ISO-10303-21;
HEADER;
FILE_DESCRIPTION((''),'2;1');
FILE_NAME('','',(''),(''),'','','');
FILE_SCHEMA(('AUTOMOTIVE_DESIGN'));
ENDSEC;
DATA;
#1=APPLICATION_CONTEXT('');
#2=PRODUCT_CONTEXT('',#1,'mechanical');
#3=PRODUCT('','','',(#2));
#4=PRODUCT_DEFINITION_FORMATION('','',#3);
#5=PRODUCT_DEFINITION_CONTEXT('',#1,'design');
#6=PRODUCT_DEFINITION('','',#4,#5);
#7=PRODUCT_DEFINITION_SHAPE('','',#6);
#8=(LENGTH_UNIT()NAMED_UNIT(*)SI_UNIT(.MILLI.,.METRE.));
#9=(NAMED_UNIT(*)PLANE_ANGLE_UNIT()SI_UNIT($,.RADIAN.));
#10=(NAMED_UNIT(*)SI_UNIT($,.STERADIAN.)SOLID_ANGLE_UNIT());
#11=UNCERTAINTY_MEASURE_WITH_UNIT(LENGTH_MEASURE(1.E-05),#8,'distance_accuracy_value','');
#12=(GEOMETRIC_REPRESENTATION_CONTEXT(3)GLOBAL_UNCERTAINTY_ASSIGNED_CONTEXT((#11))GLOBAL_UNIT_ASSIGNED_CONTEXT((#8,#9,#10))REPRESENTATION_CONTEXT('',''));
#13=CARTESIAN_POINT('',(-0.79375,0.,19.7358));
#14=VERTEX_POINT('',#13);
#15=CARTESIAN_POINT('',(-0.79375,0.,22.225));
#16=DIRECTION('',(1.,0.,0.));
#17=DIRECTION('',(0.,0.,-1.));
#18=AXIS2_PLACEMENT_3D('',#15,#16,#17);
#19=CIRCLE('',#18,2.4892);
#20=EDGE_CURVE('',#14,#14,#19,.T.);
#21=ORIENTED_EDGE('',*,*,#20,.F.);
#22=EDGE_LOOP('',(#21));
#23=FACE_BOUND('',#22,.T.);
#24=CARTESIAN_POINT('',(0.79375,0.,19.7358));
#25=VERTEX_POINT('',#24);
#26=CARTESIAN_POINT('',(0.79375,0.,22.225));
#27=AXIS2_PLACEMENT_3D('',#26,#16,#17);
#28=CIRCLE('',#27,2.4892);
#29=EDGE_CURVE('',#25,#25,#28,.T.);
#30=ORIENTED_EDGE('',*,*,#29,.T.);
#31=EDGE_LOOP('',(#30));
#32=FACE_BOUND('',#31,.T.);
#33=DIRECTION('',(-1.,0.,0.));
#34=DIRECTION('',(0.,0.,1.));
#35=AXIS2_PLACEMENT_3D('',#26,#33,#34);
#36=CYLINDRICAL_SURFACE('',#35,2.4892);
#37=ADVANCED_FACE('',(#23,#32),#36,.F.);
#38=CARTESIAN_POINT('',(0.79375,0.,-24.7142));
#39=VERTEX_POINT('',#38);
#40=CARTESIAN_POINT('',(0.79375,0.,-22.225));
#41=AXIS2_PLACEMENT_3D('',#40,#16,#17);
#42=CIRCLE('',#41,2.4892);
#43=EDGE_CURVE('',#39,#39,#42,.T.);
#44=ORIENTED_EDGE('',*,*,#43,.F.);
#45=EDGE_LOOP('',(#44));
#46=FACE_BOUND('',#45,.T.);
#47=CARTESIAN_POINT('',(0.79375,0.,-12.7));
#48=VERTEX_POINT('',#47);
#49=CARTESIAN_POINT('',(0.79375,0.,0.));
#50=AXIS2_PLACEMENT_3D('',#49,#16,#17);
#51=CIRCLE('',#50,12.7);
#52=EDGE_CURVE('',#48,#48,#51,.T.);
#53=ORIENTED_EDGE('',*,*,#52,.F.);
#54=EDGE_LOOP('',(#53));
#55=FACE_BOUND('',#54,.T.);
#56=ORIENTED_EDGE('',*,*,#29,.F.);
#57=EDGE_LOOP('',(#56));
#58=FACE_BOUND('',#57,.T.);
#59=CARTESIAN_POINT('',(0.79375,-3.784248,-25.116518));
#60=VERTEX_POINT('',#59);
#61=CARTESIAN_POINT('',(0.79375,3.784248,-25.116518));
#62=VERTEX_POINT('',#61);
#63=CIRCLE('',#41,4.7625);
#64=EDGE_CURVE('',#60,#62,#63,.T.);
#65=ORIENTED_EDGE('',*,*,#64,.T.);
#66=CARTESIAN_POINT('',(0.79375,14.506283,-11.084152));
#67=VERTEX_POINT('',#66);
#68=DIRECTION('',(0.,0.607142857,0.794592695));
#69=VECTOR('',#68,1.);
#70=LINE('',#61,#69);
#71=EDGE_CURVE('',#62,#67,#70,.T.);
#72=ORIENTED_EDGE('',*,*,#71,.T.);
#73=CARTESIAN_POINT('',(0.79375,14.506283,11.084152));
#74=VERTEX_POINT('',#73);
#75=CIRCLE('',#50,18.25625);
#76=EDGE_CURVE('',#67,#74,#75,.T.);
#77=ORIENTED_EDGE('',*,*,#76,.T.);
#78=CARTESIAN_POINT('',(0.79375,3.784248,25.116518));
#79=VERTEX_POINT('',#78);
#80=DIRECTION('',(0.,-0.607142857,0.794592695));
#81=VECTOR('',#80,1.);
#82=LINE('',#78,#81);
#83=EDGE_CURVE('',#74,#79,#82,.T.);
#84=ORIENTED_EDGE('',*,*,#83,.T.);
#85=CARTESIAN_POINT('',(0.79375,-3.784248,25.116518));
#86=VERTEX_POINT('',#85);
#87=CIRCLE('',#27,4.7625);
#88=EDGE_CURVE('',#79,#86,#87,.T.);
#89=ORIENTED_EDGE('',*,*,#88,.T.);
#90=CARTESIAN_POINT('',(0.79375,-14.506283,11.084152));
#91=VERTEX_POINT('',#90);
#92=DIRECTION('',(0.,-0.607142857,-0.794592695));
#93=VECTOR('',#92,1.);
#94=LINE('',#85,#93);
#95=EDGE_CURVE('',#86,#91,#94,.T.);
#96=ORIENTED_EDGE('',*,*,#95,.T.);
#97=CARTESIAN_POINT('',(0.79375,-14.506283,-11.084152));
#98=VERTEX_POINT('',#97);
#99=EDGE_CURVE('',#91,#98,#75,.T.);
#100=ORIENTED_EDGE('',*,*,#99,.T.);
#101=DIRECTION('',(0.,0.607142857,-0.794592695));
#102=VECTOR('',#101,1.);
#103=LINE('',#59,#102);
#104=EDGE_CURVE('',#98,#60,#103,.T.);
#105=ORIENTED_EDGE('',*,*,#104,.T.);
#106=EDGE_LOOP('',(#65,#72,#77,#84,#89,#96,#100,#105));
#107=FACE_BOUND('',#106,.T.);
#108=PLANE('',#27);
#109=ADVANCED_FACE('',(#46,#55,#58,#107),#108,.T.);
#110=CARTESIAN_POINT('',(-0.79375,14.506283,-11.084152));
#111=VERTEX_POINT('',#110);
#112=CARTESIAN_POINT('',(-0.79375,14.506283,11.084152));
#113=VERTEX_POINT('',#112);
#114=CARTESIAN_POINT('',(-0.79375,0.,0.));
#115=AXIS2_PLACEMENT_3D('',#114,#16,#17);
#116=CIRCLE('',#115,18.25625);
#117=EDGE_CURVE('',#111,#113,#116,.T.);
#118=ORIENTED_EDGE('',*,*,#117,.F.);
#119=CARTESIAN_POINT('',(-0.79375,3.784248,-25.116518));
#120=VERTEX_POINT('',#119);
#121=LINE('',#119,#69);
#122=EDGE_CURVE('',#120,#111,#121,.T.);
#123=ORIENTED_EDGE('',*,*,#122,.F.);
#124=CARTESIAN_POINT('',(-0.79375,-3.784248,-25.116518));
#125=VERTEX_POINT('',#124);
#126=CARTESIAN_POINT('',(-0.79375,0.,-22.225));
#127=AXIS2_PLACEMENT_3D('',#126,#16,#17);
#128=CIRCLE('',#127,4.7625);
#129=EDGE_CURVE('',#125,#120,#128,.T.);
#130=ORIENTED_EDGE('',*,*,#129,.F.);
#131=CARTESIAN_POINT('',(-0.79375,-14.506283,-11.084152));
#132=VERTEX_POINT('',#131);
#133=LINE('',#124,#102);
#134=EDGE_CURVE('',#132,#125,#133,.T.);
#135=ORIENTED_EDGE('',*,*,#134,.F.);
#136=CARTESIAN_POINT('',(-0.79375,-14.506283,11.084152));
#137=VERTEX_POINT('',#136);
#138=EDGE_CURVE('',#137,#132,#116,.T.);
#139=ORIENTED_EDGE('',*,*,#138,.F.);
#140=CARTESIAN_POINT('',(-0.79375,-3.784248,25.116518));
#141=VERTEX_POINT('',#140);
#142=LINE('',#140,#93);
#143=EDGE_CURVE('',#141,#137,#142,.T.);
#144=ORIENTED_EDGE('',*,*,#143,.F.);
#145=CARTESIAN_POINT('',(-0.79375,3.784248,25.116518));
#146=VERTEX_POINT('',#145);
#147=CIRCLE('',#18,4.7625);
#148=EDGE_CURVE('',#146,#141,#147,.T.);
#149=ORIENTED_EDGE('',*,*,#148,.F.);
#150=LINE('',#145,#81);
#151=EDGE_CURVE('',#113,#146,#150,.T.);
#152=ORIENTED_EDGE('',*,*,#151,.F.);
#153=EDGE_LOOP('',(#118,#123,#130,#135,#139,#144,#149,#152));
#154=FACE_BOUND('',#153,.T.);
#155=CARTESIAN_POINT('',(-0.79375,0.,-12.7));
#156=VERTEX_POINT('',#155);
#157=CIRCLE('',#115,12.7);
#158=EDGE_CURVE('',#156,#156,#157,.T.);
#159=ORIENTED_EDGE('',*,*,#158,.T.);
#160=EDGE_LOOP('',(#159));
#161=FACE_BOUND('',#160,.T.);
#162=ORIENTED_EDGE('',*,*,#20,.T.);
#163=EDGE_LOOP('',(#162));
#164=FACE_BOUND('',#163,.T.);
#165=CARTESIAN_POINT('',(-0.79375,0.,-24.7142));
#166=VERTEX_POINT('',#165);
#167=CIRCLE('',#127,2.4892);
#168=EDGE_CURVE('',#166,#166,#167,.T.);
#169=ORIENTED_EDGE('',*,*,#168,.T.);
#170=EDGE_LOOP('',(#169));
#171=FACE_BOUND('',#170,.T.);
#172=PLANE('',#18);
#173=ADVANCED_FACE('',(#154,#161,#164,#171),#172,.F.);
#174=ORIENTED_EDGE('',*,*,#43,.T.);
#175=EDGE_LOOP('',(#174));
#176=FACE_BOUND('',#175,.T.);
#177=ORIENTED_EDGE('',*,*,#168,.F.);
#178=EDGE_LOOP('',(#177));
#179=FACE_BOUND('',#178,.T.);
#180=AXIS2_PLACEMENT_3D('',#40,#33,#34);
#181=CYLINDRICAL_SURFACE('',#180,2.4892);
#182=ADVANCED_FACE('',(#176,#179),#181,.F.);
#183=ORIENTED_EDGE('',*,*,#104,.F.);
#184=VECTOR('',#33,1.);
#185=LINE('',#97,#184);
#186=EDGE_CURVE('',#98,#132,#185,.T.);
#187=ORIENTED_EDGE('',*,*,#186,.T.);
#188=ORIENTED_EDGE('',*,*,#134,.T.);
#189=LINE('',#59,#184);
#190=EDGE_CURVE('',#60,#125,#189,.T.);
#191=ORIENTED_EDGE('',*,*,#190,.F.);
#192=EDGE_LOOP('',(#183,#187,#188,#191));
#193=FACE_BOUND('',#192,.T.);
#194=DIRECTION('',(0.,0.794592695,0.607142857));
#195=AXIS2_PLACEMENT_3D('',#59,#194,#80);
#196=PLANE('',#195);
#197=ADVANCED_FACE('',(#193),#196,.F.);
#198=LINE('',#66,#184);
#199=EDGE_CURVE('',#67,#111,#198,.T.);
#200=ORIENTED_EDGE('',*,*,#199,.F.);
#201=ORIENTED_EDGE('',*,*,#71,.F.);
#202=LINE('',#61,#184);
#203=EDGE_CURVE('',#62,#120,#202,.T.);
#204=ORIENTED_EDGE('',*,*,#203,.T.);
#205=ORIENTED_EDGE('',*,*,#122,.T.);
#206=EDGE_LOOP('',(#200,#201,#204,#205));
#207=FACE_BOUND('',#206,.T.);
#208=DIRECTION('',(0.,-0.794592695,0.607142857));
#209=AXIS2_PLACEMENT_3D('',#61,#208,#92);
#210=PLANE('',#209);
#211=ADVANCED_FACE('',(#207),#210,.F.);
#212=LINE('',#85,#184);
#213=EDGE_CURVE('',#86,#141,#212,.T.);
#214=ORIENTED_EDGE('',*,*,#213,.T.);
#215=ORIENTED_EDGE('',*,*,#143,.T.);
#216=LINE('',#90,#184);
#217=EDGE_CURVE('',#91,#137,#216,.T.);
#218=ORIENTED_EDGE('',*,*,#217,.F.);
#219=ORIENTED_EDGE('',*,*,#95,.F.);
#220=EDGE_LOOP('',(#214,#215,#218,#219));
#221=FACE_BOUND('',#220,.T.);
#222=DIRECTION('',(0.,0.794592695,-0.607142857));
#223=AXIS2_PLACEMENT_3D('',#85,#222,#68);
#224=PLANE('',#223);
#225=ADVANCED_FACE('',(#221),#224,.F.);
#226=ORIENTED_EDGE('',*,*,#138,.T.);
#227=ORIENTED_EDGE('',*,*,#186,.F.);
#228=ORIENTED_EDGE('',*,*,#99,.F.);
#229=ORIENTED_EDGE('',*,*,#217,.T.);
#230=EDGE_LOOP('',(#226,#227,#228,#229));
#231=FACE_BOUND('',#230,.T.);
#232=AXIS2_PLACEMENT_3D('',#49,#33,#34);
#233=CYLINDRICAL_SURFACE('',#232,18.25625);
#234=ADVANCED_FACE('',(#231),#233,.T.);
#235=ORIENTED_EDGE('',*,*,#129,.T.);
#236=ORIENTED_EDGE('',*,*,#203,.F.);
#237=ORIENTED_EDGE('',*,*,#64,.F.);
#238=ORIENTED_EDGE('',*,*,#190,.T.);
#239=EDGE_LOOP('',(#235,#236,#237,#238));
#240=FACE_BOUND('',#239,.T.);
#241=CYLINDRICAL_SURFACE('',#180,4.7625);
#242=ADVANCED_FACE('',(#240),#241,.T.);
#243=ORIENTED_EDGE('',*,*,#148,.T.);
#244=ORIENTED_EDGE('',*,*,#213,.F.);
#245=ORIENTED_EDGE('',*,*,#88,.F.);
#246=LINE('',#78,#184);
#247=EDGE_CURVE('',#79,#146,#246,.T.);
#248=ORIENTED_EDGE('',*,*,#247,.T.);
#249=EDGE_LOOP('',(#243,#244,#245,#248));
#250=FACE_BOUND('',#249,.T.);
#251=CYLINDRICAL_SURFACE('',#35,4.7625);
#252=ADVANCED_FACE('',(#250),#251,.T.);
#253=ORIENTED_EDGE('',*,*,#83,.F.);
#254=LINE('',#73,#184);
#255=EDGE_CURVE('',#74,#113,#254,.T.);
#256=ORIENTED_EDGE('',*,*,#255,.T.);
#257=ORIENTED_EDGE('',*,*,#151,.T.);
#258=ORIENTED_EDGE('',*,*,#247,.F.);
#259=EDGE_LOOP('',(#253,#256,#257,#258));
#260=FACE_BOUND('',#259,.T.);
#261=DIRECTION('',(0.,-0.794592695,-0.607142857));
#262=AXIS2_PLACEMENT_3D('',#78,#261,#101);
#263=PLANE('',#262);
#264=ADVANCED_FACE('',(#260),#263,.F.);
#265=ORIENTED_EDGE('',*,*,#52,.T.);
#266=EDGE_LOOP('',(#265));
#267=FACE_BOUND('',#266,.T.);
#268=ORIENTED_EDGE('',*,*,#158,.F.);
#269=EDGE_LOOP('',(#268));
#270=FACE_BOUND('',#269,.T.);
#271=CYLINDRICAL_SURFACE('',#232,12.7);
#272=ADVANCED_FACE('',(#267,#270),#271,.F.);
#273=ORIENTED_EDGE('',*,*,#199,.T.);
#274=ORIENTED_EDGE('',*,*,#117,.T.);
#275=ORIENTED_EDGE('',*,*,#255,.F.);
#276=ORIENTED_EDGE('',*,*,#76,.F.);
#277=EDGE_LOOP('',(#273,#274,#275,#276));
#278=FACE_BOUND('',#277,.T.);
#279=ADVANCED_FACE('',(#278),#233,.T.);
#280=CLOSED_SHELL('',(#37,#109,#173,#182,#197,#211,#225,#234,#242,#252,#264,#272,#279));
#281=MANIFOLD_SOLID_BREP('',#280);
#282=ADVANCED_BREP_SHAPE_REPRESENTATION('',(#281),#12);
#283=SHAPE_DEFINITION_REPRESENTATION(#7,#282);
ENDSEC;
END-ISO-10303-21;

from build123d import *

# Parameters (mm, degrees)
SKETCH1_R           = 12.7
SKETCH1_R_2         = 2.4892
BOSS_EXTRUDE1_DEPTH = 0.79375


with BuildPart() as part:
    # Sketch1 → Boss-Extrude1 (new, symmetric)
    with BuildSketch(Plane(origin=(0, 0, 0), x_dir=(0, 0, -1), z_dir=(1, 0, 0))):
        with BuildLine():
            Line((-25.116517857, -3.78424771), (-11.084151786, -14.506282889))
            ThreePointArc((-11.084151786, -14.506282889), (0, -18.25625), (11.084151786, -14.506282889))
            Line((11.084151786, -14.506282889), (25.116517857, -3.78424771))
            ThreePointArc((25.116517857, -3.78424771), (26.9875, 0), (25.116517857, 3.78424771))
            Line((25.116517857, 3.78424771), (11.084151786, 14.506282889))
            ThreePointArc((11.084151786, 14.506282889), (0, 18.25625), (-11.084151786, 14.506282889))
            Line((-11.084151786, 14.506282889), (-25.116517857, 3.78424771))
            ThreePointArc((-25.116517857, 3.78424771), (-26.9875, 0), (-25.116517857, -3.78424771))
        make_face()
        Circle(SKETCH1_R, mode=Mode.SUBTRACT)
        with Locations((22.225, 0)):
            Circle(SKETCH1_R_2, mode=Mode.SUBTRACT)
        with Locations((-22.225, 0)):
            Circle(SKETCH1_R_2, mode=Mode.SUBTRACT)
    extrude(amount=BOSS_EXTRUDE1_DEPTH, both=True)


solid = part.part
